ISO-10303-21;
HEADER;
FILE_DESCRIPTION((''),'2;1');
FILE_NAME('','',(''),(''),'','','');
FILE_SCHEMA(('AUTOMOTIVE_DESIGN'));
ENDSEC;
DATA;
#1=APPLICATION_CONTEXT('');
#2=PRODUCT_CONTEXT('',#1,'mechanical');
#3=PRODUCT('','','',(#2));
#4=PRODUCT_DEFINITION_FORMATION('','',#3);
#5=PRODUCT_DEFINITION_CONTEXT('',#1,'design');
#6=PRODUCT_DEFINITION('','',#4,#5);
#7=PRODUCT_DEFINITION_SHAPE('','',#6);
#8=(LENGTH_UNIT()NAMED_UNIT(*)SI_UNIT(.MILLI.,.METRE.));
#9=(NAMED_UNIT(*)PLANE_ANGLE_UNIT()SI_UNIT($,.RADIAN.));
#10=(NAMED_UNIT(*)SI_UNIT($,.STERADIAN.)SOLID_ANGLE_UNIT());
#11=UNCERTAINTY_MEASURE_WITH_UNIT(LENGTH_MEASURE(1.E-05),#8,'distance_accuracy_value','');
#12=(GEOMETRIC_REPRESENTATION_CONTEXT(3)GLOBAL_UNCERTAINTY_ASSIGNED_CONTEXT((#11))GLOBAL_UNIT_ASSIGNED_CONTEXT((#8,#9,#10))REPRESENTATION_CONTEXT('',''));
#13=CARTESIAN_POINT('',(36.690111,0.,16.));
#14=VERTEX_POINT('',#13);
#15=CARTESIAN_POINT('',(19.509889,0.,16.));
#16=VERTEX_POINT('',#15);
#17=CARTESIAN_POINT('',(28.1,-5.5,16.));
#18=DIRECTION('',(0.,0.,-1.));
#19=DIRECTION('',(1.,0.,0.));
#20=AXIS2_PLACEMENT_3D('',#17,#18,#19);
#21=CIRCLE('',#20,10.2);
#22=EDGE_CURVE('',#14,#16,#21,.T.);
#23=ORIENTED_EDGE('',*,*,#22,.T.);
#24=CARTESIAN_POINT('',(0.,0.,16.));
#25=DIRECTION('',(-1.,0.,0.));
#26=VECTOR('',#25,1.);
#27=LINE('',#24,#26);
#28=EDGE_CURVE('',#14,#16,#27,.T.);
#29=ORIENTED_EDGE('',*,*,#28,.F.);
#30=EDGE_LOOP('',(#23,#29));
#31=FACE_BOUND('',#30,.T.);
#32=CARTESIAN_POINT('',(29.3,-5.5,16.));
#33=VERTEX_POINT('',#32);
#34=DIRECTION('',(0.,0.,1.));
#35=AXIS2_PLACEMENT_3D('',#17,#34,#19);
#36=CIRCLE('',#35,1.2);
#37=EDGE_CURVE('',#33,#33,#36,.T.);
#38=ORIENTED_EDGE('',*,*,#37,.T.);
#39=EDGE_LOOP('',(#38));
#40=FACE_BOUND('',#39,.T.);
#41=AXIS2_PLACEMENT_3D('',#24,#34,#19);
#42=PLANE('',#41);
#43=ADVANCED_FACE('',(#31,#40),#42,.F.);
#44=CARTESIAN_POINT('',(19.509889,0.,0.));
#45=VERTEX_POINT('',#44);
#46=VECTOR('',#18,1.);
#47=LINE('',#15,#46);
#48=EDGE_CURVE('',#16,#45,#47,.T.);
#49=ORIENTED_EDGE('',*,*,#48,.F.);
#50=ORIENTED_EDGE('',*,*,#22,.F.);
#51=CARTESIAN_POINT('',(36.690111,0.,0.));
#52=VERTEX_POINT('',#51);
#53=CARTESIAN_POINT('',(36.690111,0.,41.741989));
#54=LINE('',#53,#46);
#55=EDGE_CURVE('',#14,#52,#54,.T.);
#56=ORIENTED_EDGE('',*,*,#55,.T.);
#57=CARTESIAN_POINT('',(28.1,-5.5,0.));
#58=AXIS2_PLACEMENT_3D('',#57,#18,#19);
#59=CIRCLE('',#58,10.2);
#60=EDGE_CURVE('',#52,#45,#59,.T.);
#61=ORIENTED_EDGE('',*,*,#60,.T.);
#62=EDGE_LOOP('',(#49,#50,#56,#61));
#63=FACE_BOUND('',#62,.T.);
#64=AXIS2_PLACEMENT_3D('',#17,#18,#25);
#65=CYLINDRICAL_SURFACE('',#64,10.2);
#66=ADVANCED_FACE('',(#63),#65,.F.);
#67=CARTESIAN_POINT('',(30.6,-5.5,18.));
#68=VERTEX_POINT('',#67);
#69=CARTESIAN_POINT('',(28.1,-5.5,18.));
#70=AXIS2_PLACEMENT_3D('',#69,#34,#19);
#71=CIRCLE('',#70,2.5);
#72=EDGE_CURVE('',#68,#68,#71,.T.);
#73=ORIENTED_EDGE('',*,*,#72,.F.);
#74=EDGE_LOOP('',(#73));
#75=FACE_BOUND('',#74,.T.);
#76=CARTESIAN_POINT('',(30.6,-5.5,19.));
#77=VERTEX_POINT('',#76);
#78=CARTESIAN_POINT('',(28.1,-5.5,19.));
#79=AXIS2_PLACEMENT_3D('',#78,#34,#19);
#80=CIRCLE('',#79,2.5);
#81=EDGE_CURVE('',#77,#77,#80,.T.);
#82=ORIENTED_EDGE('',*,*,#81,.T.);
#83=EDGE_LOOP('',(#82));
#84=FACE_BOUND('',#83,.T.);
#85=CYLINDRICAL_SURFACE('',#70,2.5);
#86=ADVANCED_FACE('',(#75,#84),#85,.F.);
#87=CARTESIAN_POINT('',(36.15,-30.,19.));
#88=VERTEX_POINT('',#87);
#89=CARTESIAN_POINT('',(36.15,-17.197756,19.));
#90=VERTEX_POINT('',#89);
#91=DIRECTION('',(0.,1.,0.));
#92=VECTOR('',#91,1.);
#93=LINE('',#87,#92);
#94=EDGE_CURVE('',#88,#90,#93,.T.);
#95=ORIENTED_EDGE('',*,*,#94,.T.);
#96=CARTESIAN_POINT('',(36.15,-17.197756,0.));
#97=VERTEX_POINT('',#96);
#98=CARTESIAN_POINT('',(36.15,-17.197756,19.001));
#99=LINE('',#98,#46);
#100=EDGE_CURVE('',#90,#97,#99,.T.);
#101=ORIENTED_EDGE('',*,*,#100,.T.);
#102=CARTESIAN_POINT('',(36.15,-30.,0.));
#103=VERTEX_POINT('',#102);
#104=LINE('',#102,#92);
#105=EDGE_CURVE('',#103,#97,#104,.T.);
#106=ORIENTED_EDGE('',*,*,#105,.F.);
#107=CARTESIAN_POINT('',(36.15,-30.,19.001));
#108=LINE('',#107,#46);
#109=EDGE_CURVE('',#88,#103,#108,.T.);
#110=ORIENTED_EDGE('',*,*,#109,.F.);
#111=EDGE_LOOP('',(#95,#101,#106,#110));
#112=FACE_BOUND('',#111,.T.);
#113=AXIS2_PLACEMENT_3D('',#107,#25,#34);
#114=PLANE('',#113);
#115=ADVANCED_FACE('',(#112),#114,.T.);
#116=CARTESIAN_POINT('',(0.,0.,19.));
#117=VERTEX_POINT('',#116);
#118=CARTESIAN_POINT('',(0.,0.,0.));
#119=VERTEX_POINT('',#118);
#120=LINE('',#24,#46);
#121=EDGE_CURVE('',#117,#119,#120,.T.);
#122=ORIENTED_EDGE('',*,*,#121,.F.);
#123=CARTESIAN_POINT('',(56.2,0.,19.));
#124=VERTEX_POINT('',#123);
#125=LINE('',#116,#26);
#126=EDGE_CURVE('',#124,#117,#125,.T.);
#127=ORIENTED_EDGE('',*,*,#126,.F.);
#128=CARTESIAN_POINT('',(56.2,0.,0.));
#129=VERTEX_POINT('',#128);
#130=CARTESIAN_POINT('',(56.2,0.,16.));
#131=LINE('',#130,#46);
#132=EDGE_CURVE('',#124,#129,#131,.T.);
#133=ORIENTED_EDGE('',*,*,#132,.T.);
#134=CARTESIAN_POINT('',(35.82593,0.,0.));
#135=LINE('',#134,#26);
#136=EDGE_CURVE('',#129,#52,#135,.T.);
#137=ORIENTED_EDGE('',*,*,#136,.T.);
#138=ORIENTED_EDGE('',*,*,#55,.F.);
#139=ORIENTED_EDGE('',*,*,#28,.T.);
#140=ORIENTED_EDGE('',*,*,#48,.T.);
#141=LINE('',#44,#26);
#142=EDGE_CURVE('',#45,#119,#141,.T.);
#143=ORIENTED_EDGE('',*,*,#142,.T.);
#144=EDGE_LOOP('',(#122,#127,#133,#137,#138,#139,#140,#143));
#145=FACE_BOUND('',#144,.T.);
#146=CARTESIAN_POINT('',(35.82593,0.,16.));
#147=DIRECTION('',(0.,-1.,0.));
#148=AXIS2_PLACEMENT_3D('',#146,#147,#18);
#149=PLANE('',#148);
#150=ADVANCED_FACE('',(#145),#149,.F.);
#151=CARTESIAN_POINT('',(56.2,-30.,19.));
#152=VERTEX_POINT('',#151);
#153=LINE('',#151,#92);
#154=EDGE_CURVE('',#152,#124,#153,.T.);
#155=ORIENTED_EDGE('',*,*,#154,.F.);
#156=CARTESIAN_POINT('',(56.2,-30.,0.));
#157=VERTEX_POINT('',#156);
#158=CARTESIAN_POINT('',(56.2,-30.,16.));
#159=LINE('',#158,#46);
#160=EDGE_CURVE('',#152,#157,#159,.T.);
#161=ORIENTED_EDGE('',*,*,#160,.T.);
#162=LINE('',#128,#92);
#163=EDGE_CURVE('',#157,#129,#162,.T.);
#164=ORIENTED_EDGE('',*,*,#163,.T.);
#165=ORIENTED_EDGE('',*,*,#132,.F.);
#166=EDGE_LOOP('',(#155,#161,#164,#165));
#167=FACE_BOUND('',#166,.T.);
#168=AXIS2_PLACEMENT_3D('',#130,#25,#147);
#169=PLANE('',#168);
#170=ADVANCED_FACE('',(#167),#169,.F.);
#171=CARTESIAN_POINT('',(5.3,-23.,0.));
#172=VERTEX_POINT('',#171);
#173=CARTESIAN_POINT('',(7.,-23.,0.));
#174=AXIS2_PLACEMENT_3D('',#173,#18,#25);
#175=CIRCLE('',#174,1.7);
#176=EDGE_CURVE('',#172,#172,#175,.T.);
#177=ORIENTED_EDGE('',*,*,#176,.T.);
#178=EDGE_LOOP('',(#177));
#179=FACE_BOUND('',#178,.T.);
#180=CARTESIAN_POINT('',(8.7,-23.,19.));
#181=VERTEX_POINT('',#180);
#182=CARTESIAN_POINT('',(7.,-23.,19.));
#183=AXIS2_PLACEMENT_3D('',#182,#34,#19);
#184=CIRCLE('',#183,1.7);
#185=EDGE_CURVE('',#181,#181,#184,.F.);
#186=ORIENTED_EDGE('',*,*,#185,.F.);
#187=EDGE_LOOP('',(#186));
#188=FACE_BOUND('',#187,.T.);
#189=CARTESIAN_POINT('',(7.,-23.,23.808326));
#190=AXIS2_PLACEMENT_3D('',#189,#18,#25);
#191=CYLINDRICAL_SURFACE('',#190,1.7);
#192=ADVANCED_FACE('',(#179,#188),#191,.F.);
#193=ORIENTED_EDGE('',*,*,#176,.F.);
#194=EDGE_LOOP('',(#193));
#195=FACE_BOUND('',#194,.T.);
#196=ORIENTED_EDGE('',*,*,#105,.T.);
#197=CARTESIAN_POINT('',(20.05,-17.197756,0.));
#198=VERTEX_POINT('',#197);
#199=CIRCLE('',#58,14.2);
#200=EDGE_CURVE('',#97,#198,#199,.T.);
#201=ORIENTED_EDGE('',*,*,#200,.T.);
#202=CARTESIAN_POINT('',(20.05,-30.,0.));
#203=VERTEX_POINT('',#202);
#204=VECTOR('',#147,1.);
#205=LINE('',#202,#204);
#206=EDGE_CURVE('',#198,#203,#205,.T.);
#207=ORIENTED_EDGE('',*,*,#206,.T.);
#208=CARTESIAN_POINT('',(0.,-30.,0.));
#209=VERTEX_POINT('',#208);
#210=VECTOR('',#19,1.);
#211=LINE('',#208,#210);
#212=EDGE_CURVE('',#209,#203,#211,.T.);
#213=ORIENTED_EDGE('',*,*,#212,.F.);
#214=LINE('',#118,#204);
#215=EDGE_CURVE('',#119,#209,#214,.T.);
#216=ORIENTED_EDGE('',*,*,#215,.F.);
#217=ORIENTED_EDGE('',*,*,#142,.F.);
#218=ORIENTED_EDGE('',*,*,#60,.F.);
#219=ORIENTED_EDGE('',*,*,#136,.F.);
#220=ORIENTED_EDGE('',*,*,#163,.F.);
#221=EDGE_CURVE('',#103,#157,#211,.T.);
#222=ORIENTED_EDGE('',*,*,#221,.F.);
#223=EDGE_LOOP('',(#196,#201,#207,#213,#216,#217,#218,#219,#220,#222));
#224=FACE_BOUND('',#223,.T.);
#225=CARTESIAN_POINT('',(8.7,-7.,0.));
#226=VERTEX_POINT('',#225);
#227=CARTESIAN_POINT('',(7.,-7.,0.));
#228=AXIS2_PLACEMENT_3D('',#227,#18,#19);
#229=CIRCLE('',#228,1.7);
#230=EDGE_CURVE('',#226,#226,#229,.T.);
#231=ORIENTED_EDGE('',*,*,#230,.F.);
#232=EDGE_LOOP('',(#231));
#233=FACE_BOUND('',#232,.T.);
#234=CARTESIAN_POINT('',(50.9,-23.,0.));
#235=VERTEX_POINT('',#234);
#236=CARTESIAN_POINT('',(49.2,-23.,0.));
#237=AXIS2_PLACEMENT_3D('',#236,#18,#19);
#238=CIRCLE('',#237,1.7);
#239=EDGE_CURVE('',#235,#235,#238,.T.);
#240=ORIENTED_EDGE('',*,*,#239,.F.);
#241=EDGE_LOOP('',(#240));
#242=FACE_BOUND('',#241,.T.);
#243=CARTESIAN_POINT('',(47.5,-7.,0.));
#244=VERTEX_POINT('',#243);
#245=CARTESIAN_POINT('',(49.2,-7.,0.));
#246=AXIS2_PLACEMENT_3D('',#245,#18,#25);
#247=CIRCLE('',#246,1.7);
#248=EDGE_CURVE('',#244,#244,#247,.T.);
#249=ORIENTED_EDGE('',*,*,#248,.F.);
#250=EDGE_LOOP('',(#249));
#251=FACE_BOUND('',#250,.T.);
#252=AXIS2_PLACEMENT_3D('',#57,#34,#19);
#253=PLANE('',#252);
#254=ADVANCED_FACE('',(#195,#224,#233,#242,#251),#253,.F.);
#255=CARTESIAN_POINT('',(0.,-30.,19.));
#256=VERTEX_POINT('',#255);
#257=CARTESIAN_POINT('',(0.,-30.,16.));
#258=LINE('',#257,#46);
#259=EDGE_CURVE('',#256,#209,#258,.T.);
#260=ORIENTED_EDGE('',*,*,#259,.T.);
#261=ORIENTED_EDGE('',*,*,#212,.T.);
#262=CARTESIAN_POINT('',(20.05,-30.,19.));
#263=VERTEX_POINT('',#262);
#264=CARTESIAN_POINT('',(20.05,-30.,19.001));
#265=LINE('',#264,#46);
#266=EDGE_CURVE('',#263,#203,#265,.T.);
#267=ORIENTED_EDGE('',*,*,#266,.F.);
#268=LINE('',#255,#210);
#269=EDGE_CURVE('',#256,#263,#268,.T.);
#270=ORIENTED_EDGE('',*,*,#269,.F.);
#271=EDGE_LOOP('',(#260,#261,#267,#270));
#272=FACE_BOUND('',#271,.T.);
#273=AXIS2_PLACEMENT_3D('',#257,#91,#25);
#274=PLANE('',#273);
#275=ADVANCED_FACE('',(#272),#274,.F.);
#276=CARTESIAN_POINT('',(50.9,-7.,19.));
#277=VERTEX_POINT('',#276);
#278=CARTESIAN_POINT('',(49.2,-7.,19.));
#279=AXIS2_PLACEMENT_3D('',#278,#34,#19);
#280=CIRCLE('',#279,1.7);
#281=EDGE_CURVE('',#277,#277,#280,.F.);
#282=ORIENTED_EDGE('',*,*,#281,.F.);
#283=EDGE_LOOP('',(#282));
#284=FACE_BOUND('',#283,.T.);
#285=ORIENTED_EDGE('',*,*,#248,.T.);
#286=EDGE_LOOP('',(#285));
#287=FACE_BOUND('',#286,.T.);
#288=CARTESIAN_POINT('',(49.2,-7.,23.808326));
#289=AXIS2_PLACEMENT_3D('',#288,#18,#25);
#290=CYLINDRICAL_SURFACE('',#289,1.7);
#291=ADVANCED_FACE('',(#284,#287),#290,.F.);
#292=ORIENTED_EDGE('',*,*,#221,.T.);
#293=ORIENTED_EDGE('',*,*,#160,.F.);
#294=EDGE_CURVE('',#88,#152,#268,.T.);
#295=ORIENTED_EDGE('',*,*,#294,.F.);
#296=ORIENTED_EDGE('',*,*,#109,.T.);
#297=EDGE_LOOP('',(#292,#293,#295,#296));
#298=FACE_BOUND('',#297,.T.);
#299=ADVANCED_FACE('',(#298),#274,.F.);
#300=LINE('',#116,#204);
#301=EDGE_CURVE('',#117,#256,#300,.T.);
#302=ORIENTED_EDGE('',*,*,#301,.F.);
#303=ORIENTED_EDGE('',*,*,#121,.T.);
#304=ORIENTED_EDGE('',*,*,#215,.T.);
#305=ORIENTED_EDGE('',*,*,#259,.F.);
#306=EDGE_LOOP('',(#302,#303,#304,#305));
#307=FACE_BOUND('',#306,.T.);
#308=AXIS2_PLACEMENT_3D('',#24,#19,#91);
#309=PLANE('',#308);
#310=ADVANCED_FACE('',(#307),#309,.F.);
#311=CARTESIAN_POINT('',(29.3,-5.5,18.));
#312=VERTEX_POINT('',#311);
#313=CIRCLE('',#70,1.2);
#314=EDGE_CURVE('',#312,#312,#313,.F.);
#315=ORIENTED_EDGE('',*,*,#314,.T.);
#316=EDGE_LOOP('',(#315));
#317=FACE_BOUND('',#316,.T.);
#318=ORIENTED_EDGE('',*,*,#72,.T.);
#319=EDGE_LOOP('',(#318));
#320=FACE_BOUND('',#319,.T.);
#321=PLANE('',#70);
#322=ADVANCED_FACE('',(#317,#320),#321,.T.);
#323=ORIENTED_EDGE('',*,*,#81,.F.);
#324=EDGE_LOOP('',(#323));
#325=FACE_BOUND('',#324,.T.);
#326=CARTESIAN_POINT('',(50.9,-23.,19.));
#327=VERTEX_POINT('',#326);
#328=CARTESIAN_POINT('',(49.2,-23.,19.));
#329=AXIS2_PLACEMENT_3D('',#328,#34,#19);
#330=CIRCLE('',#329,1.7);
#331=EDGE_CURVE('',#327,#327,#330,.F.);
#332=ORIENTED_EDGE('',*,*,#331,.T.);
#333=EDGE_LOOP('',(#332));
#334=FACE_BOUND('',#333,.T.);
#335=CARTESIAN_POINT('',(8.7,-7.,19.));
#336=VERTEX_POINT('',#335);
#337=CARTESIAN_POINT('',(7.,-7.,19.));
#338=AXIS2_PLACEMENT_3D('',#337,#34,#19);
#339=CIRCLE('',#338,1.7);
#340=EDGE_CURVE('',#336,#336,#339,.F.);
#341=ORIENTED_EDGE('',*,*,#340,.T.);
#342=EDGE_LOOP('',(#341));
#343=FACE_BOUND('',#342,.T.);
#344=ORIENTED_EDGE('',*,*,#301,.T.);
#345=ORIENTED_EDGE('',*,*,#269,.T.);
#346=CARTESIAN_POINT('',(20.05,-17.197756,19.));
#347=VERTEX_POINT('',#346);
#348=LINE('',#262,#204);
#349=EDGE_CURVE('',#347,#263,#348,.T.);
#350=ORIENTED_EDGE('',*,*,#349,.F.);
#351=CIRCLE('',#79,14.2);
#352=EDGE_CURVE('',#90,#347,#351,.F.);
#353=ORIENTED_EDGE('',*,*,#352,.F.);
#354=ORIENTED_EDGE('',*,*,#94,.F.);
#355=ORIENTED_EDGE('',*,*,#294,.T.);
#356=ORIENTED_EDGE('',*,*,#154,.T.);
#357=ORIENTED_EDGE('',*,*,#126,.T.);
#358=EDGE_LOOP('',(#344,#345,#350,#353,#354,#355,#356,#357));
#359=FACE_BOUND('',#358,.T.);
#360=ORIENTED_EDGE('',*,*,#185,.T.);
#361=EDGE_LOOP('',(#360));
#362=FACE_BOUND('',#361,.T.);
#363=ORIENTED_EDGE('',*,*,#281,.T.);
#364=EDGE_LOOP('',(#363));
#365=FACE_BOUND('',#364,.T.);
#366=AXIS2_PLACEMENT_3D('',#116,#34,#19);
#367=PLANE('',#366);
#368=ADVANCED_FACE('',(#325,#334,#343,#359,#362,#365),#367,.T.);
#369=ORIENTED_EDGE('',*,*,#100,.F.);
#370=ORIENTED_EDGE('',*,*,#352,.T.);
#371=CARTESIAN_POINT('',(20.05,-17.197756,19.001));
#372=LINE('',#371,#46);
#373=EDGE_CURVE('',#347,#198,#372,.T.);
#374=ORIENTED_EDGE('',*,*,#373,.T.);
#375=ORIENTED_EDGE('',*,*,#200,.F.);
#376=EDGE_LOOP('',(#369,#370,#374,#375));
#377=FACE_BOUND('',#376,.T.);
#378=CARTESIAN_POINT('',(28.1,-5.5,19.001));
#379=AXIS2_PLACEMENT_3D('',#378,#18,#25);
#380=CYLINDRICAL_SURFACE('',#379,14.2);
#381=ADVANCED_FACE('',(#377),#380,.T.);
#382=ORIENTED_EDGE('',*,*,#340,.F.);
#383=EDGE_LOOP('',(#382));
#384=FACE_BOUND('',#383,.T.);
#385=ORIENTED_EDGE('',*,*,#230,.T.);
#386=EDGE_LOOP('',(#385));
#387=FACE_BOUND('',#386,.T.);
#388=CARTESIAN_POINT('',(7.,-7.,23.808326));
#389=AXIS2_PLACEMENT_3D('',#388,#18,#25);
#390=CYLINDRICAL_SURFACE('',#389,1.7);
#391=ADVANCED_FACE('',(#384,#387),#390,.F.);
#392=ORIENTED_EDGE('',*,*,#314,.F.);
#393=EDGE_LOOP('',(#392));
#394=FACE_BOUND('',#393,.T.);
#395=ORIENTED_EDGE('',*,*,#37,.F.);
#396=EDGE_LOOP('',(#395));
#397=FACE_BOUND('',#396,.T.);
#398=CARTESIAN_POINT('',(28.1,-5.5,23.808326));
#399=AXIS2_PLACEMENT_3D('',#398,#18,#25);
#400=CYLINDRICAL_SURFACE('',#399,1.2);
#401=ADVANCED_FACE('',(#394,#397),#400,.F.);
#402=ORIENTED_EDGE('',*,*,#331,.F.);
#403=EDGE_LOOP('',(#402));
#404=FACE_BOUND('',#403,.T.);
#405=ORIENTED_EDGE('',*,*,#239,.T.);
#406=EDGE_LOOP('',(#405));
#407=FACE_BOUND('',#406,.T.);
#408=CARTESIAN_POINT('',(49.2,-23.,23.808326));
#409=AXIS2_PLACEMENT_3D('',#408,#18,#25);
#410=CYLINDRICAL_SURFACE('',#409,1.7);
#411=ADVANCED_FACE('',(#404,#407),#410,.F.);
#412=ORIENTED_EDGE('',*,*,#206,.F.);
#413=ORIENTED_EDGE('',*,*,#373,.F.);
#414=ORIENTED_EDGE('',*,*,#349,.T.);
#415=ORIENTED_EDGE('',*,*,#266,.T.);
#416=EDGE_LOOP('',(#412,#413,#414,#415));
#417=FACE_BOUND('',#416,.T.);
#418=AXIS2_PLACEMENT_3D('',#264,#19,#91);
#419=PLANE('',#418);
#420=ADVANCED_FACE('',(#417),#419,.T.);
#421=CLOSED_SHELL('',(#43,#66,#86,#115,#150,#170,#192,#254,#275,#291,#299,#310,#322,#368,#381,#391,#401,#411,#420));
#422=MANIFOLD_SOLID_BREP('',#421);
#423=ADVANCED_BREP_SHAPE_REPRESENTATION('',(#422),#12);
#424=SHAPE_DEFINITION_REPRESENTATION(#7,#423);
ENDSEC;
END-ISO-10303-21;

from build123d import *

# Parameters (mm, degrees)
BOSS_EXTRUDE1_DEPTH = 16
SKETCH3_W           = 56.2
SKETCH3_H           = 30
BOSS_EXTRUDE2_DEPTH = 3
SKETCH4_R           = 1.7
SKETCH4_R_2         = 1.2
CUT_EXTRUDE2_DEPTH  = 19
CUT_EXTRUDE3_DEPTH  = 16
CUT_EXTRUDE6_REACH  = 21
SKETCH10_R          = 2.5
CUT_EXTRUDE7_DEPTH  = 1


with BuildPart() as part:
    # Sketch1 → Boss-Extrude1 (new body)
    with BuildSketch(Plane.XY):
        with BuildLine():
            Line((19.509889407, 0), (0, 0))
            Line((0, 0), (0, -30))
            Line((0, -30), (56.2, -30))
            Line((56.2, -30), (56.2, 0))
            Line((56.2, 0), (36.690110593, 0))
            Line((36.690110593, 0), (35.825930365, 0))
            ThreePointArc((35.825930365, 0), (34.325930365, -1.5), (35.825930365, -3))
            Line((35.825930365, -3), (37.988882647, -3))
            ThreePointArc((37.988882647, -3), (26.465465751, -15.568182447), (19.509889407, 0))
        make_face()
    extrude(amount=BOSS_EXTRUDE1_DEPTH)

    # Sketch3 → Boss-Extrude2 (add)
    with BuildSketch(Plane.XY.offset(16)):
        with Locations((28.1, -15)):
            Rectangle(SKETCH3_W, SKETCH3_H)
    extrude(amount=BOSS_EXTRUDE2_DEPTH)

    # Sketch4 → Cut-Extrude2 (cut)
    with BuildSketch(Plane(origin=(0, 0, 0), x_dir=(-1, 0, 0), z_dir=(0, 0, -1))):
        with Locations((-49.2, -7)):
            Circle(SKETCH4_R)
        with Locations((-7, -7)):
            Circle(SKETCH4_R)
        with Locations((-7, -23)):
            Circle(SKETCH4_R)
        with Locations((-49.2, -23)):
            Circle(SKETCH4_R)
        with Locations((-28.1, -5.5)):
            Circle(SKETCH4_R_2)
    extrude(amount=-CUT_EXTRUDE2_DEPTH, mode=Mode.SUBTRACT)

    # Sketch5 → Cut-Extrude3 (cut)
    with BuildSketch(Plane(origin=(0, 0, 0), x_dir=(-1, 0, 0), z_dir=(0, 0, -1))):
        with BuildLine():
            Line((-19.509889407, 0), (-36.690110593, 0))
            ThreePointArc((-36.690110593, 0), (-28.1, -15.7), (-19.509889407, 0))
        make_face()
    extrude(amount=-CUT_EXTRUDE3_DEPTH, mode=Mode.SUBTRACT)

    # Sketch9 → Cut-Extrude6 (cut, up to next)
    with BuildSketch(Plane.XY, mode=Mode.PRIVATE) as cut_extrude6_sk1:
        with BuildLine():
            Line((36.15, -30), (36.15, -17.197756195))
            ThreePointArc((36.15, -17.197756195), (28.1, -19.7), (20.05, -17.197756195))
            Line((20.05, -17.197756195), (20.05, -30))
            Line((20.05, -30), (36.15, -30))
        make_face()
    cut_extrude6_tool1 = extrude(cut_extrude6_sk1.sketch, amount=CUT_EXTRUDE6_REACH, mode=Mode.PRIVATE) & part.part
    add(cut_extrude6_tool1.solids().sort_by_distance((28.1, -24.424534, 0))[0], mode=Mode.SUBTRACT)

    # Sketch10 → Cut-Extrude7 (cut)
    with BuildSketch(Plane.XY.offset(19)):
        with Locations((28.1, -5.5)):
            Circle(SKETCH10_R)
    extrude(amount=-CUT_EXTRUDE7_DEPTH, mode=Mode.SUBTRACT)


solid = part.part
